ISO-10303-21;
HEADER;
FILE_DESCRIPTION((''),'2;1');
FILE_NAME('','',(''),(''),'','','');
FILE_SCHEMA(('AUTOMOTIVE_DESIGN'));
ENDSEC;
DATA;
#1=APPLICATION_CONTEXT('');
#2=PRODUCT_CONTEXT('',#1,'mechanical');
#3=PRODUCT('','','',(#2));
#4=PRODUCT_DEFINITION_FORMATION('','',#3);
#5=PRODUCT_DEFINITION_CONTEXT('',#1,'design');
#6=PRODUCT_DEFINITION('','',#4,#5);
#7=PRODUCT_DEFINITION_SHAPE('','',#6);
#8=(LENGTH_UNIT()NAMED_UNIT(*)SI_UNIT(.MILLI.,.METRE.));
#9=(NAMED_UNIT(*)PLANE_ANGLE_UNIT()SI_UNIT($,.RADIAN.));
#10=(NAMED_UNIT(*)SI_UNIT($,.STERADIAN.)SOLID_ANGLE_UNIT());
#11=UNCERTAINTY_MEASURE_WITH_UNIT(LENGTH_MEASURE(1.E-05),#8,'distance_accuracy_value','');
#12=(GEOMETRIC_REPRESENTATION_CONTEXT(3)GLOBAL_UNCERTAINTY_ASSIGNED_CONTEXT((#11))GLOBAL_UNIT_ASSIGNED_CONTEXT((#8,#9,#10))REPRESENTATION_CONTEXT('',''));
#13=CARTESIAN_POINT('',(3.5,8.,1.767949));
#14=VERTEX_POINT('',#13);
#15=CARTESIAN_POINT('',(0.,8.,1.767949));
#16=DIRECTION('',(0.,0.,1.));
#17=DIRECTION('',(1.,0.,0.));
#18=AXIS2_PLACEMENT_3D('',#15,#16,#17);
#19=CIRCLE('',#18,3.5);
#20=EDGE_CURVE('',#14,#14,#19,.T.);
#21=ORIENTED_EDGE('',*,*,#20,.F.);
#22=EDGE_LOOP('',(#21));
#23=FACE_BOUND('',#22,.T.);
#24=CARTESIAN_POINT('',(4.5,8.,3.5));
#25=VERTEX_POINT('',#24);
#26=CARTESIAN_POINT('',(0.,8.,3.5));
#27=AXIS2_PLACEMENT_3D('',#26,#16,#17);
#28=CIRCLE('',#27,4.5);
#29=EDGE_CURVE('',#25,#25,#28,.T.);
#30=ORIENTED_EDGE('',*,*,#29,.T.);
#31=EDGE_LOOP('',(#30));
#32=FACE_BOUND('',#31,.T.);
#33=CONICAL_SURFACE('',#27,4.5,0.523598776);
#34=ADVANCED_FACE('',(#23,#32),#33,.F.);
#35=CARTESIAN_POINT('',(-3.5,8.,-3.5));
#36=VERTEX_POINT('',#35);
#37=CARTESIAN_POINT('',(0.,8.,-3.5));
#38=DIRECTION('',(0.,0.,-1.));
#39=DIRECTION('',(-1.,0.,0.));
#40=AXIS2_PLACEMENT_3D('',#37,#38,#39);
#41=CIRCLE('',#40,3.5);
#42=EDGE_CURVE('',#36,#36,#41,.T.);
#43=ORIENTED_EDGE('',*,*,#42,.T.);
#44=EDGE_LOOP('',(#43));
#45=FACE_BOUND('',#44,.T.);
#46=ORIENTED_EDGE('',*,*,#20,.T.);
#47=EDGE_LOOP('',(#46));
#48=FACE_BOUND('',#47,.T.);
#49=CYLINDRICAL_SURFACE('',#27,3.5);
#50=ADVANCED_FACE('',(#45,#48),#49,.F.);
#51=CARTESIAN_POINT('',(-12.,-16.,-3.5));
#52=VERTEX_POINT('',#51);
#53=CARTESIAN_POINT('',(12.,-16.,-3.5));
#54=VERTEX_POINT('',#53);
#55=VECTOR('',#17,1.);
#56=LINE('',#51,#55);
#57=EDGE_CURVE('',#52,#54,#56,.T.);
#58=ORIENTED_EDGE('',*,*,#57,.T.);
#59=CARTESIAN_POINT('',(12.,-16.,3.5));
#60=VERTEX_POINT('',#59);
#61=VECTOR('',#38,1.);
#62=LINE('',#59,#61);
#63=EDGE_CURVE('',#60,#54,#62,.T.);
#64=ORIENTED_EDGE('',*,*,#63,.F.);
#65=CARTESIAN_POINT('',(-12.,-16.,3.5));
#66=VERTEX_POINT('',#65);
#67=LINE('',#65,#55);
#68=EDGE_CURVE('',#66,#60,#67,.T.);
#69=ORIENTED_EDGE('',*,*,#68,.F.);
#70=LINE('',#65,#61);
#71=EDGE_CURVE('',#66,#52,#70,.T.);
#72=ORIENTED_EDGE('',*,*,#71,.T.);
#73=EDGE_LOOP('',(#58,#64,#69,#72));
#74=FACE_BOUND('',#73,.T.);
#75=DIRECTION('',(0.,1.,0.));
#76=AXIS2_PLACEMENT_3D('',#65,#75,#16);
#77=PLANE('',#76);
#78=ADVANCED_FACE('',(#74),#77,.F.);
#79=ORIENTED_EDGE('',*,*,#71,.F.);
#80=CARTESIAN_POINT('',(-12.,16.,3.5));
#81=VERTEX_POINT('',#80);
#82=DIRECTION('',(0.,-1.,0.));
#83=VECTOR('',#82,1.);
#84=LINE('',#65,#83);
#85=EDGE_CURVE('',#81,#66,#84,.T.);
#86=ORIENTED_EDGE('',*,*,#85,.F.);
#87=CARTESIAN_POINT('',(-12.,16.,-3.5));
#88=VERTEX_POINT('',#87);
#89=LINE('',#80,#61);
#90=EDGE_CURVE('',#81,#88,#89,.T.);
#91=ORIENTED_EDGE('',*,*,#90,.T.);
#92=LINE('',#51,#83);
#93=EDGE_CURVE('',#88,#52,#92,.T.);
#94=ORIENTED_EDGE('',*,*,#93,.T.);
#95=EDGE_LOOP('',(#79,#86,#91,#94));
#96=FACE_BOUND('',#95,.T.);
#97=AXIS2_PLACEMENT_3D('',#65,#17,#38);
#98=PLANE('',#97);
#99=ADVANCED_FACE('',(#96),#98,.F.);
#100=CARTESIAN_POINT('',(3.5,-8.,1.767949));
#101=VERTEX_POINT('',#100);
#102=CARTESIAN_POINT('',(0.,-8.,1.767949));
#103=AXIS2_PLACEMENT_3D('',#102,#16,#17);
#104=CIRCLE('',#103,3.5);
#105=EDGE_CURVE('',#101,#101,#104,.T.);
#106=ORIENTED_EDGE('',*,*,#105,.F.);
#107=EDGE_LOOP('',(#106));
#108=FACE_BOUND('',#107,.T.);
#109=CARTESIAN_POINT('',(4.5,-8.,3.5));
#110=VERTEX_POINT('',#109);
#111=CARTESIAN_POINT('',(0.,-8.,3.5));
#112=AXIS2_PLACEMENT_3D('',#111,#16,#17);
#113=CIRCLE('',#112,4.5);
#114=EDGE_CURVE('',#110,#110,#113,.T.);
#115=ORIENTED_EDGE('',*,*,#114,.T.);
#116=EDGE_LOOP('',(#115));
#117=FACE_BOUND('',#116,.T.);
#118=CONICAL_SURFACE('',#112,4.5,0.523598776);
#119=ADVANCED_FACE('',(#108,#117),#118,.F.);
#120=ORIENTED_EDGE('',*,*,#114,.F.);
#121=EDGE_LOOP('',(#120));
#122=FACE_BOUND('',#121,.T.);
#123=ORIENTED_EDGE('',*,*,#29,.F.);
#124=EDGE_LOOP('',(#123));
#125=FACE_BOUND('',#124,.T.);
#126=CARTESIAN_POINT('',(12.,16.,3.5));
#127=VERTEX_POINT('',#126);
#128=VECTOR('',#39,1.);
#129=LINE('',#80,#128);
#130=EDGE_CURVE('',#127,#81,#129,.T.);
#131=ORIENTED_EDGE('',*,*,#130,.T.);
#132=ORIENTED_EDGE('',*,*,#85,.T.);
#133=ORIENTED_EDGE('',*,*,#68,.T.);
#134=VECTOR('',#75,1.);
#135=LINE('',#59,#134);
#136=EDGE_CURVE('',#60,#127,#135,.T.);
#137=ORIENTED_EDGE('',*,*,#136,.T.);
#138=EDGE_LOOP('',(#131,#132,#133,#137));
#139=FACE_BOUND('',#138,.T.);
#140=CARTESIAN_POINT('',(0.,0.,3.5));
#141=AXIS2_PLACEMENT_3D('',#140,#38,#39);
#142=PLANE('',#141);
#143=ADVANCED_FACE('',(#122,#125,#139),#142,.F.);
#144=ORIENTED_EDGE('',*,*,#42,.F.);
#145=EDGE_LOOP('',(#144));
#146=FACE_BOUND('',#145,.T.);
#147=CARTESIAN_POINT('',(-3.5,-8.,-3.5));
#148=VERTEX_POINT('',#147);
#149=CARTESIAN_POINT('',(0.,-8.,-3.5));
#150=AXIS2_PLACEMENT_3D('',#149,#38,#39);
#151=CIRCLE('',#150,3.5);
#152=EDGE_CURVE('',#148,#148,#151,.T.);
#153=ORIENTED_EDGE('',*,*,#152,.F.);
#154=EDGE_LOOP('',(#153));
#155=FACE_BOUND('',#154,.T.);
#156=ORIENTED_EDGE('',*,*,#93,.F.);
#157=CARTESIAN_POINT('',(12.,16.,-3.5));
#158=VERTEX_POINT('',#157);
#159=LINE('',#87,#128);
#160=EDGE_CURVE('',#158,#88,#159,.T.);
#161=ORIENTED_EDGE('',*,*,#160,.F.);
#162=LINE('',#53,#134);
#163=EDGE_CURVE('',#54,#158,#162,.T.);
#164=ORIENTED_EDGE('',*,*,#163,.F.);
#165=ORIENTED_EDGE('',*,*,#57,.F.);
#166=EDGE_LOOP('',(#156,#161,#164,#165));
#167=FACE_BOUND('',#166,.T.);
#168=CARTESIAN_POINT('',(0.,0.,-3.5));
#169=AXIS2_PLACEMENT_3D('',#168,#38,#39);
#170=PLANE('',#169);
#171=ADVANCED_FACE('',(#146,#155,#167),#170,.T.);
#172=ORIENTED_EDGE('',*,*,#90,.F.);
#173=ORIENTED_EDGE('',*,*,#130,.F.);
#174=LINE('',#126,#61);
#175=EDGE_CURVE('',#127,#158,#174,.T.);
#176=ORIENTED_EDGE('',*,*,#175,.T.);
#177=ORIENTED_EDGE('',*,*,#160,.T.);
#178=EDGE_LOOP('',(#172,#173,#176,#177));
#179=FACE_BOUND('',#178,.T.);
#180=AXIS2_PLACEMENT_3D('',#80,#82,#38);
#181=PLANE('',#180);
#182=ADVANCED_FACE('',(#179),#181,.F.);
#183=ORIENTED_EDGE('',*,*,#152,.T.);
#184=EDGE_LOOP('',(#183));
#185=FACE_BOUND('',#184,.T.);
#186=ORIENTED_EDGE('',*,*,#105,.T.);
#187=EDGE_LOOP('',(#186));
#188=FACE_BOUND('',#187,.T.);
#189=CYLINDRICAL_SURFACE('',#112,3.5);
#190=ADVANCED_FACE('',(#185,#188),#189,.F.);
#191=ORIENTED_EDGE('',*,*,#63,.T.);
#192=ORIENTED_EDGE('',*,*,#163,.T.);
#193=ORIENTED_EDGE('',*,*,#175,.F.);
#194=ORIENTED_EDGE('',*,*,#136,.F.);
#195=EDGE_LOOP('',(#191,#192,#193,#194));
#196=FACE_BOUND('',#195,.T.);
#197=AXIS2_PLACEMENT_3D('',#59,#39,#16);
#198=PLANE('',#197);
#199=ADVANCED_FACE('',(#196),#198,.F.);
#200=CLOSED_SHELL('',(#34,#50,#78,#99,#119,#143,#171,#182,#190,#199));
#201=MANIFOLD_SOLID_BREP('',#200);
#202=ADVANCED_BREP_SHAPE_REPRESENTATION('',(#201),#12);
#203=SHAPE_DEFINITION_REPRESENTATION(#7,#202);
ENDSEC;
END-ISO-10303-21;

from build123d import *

# Parameters (mm, degrees)
SKETCH1_W           = 24
SKETCH1_H           = 32
BOSS_EXTRUDE1_DEPTH = 3.5
HOLE1_D             = 7
HOLE1_DEPTH         = 12
HOLE1_CSINK_D       = 9
HOLE1_CSINK_ANGLE   = 60


with BuildPart() as part:
    # Sketch1 → Boss-Extrude1 (new body, symmetric)
    with BuildSketch(Plane.XY):
        Rectangle(SKETCH1_W, SKETCH1_H)
    extrude(amount=BOSS_EXTRUDE1_DEPTH, both=True)

    # Hole1
    with Locations(Plane.XY.offset(3.5)):
        with Locations((0, 8), (0, -8)):
            CounterSinkHole(HOLE1_D / 2, HOLE1_CSINK_D / 2, depth=HOLE1_DEPTH, counter_sink_angle=HOLE1_CSINK_ANGLE)


solid = part.part
